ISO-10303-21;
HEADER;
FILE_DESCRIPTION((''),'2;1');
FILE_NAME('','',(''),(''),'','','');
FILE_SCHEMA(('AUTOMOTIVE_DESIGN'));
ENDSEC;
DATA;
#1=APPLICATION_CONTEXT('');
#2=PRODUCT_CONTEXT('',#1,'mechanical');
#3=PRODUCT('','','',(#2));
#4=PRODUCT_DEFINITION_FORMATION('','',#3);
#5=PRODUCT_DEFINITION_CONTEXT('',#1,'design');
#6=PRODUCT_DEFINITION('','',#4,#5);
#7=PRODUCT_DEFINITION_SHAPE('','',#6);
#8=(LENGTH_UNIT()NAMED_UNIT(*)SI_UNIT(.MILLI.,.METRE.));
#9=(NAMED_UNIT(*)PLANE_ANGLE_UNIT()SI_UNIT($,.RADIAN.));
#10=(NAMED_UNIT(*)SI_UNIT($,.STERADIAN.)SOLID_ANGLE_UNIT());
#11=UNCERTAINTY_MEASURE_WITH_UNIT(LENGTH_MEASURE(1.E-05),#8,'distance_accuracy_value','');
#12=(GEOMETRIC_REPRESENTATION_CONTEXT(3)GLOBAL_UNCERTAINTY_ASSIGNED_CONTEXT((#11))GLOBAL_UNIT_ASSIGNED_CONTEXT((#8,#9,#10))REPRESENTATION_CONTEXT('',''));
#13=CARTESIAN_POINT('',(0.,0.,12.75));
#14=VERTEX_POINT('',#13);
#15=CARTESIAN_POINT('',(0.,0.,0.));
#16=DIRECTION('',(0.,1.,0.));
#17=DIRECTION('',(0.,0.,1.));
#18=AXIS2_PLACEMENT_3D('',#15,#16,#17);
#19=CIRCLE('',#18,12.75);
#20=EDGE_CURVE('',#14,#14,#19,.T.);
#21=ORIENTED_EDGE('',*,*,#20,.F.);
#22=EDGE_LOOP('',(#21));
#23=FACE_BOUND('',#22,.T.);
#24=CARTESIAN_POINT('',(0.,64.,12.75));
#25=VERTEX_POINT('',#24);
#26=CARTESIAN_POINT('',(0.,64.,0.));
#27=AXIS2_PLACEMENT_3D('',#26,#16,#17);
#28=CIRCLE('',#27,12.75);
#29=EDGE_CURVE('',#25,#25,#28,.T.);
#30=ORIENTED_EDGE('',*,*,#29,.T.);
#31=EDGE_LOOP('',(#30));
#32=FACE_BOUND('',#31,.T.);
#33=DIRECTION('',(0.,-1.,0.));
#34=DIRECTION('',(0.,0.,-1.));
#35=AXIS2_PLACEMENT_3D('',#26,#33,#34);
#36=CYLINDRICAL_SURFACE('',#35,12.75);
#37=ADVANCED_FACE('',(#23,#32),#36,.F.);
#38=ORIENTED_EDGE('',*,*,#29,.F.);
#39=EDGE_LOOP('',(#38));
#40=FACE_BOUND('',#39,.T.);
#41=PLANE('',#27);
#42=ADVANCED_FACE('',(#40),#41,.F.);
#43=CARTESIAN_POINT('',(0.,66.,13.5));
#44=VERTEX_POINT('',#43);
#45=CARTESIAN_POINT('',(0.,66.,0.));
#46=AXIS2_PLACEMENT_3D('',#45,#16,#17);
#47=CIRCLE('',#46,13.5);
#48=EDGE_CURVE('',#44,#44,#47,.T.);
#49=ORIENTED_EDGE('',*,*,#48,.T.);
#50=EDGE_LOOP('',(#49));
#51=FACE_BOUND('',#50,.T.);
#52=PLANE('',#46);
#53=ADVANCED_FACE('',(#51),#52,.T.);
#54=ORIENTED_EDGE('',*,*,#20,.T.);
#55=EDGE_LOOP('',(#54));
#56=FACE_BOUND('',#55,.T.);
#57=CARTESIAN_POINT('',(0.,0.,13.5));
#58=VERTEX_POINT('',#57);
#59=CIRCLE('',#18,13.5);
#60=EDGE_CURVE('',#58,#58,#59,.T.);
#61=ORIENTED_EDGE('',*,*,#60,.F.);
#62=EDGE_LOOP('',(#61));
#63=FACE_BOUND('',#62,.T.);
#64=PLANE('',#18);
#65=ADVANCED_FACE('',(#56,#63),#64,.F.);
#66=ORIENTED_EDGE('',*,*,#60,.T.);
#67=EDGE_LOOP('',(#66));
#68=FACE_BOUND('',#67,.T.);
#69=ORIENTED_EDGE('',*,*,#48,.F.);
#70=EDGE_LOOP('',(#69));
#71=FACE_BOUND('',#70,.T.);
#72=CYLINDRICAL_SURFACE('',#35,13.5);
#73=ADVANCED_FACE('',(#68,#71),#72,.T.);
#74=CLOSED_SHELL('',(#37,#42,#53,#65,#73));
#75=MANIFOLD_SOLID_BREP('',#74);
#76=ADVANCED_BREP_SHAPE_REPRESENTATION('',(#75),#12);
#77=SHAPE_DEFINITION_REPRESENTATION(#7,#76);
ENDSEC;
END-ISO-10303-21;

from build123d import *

# Parameters (mm, degrees)
SKETCH1_R           = 13.5
SKETCH1_R_2         = 12.75
BOSS_EXTRUDE1_DEPTH = 64
SKETCH2_R           = 13.5
BOSS_EXTRUDE2_DEPTH = 2


with BuildPart() as part:
    # Sketch1 → Boss-Extrude1 (new body)
    with BuildSketch(Plane(origin=(0, 0, 0), x_dir=(1, 0, 0), z_dir=(0, 1, 0))):
        with Locations(Location((0, 0, 0), (0, 0, 270))):
            Circle(SKETCH1_R)
        with Locations(Location((0, 0, 0), (0, 0, 270))):
            Circle(SKETCH1_R_2, mode=Mode.SUBTRACT)
    extrude(amount=BOSS_EXTRUDE1_DEPTH)

    # Sketch2 → Boss-Extrude2 (add)
    with BuildSketch(Plane(origin=(0, 64, 0), x_dir=(1, 0, 0), z_dir=(0, 1, 0))):
        with Locations(Location((0, 0, 0), (0, 0, 270))):
            Circle(SKETCH2_R)
    extrude(amount=BOSS_EXTRUDE2_DEPTH)


solid = part.part
